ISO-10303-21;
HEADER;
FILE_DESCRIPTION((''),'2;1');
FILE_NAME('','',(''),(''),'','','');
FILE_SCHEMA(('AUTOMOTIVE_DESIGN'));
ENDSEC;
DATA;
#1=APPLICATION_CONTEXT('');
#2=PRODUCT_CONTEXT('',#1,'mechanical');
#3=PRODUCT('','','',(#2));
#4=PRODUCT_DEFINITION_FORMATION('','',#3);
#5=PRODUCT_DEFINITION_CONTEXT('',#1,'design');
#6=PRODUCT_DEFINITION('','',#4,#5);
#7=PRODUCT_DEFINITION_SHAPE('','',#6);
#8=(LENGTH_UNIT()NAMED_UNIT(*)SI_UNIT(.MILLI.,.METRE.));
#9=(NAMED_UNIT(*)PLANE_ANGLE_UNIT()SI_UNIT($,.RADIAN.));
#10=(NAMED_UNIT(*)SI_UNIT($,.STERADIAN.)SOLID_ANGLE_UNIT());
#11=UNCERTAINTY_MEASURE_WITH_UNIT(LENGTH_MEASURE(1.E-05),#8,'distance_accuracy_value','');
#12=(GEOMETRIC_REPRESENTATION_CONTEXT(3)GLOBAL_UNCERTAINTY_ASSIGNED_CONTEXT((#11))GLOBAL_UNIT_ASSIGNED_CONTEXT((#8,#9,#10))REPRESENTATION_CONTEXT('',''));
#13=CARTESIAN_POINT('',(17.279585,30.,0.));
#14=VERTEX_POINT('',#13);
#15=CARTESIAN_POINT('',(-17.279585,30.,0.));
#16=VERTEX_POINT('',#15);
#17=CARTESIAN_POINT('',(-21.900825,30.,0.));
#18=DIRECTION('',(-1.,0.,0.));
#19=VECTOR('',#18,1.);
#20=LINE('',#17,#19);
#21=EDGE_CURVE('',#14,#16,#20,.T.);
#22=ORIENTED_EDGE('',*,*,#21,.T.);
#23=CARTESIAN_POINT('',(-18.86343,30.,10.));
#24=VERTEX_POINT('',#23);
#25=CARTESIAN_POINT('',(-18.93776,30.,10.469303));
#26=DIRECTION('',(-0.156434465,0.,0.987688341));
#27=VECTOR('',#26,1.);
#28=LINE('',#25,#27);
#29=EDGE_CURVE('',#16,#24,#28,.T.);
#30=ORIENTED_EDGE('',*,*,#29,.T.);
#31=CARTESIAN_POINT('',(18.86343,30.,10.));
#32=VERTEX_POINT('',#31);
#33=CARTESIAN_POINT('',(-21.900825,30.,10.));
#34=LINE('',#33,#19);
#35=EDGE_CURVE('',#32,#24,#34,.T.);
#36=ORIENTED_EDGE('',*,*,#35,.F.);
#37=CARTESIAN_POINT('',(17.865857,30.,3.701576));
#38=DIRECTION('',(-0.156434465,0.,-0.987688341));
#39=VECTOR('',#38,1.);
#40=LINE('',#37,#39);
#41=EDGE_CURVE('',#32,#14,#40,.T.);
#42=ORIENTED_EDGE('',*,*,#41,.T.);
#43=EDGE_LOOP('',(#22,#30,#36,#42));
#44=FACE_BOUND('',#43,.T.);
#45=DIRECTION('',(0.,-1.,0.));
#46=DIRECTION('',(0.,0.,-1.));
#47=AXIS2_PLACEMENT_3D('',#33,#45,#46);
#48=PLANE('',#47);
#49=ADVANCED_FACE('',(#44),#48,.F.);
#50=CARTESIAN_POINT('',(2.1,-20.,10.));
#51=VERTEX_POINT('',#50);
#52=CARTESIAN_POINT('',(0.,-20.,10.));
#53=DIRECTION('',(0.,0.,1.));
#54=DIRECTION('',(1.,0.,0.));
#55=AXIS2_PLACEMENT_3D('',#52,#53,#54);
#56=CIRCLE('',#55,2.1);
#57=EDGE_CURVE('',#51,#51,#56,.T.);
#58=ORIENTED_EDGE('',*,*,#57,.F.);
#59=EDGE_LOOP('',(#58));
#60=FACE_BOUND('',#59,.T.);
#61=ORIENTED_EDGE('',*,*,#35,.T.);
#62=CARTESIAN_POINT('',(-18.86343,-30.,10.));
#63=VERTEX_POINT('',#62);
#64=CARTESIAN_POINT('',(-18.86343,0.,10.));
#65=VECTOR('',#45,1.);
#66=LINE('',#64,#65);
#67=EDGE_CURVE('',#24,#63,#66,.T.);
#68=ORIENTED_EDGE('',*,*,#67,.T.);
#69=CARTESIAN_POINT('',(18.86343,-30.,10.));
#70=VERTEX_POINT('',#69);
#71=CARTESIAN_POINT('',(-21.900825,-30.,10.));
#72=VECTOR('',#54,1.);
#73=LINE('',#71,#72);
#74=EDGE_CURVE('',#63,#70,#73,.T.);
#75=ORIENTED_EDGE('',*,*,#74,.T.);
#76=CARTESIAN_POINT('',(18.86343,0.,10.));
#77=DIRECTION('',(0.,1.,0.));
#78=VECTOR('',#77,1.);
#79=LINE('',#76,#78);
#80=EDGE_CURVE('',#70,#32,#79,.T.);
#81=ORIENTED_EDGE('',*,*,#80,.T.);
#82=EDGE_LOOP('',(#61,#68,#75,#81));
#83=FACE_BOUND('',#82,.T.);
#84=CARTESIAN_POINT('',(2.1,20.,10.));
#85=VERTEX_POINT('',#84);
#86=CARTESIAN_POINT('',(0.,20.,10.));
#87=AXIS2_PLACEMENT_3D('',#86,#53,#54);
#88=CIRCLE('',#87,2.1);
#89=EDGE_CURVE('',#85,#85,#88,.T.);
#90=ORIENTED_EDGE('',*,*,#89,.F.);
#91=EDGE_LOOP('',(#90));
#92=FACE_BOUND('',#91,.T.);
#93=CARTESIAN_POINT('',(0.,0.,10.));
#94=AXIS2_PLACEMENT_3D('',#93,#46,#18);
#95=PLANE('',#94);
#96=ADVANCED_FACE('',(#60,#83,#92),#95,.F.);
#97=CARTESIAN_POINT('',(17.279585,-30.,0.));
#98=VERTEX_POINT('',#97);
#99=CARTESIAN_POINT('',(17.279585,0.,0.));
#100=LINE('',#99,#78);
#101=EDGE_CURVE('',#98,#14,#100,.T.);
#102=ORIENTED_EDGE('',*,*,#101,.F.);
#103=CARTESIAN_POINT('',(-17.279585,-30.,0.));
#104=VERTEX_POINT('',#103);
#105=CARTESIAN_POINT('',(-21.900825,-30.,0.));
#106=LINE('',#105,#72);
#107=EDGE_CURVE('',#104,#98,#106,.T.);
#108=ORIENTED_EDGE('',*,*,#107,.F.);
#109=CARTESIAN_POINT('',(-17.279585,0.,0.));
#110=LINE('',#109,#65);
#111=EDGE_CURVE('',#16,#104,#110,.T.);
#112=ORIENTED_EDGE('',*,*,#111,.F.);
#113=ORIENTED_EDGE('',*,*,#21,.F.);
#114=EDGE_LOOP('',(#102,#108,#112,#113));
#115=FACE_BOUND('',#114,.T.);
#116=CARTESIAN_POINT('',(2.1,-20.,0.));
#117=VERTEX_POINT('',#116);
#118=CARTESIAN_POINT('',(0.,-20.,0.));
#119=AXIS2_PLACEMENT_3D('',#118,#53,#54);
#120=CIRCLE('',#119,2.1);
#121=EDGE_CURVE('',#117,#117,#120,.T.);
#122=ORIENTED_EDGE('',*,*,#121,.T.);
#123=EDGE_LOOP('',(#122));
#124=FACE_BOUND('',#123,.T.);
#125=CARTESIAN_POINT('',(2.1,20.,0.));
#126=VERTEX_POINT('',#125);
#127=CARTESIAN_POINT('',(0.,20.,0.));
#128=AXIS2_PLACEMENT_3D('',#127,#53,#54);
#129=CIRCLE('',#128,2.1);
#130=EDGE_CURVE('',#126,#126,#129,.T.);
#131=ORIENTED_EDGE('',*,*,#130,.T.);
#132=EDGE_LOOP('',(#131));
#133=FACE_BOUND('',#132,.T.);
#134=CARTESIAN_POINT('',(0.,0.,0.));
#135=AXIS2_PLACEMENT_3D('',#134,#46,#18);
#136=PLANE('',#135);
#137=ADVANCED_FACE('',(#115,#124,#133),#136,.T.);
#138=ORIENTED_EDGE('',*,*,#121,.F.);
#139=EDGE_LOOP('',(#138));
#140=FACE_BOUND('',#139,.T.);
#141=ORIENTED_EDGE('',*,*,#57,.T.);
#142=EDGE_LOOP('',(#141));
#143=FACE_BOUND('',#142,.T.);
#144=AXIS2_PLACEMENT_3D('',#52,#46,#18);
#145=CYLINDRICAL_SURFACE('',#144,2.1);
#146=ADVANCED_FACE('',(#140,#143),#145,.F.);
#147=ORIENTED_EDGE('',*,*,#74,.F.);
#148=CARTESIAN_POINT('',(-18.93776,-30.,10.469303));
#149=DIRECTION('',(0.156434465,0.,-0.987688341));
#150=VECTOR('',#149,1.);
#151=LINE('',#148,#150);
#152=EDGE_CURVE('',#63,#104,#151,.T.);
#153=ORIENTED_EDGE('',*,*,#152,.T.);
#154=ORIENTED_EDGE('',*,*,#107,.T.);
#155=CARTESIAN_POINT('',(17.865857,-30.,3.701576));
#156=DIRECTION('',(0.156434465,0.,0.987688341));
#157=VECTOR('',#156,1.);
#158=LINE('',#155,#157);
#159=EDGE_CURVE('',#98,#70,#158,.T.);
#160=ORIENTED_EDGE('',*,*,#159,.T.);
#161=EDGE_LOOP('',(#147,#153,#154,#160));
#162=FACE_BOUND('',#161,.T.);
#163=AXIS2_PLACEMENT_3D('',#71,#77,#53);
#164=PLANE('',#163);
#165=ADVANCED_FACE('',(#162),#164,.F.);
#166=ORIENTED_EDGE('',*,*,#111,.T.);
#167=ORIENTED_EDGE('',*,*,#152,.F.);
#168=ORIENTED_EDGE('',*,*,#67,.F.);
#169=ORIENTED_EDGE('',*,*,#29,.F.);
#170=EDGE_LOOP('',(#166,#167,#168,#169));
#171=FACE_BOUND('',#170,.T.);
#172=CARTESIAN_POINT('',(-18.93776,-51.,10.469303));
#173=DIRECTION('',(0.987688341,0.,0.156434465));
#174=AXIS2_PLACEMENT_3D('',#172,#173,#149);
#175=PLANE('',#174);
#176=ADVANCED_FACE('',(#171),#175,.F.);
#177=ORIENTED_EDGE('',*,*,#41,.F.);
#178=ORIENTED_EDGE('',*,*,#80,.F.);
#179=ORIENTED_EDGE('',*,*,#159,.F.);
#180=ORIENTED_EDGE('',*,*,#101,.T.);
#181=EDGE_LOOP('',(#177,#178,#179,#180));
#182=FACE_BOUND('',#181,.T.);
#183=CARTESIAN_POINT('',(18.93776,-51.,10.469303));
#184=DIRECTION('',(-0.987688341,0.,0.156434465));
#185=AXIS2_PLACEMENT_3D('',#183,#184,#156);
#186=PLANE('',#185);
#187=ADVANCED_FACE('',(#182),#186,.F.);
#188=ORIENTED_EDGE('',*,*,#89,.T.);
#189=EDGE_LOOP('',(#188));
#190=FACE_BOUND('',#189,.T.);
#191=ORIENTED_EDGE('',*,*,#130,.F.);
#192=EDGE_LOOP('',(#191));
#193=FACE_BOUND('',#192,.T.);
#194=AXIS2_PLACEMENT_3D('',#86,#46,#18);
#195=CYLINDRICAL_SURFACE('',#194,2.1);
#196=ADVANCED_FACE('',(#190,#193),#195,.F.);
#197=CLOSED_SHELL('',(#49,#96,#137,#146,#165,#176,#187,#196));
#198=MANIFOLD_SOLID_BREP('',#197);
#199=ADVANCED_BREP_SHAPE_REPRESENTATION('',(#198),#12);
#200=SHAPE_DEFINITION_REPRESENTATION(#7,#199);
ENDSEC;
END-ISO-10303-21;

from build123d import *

# Parameters (mm, degrees)
IZIM1_W                     = 43.801650212
IZIM1_H                     = 60
IZIM1_R                     = 2.1
Y_KSEKLIK_EKSTR_ZYON1_DEPTH = 10
KES_EKSTR_ZYON1_DEPTH       = 81


with BuildPart() as part:
    # Çizim1 → Yükseklik-Ekstrüzyon1 (new body)
    with BuildSketch(Plane.XY):
        Rectangle(IZIM1_W, IZIM1_H)
        with Locations((0, -20)):
            Circle(IZIM1_R, mode=Mode.SUBTRACT)
        with Locations((0, 20)):
            Circle(IZIM1_R, mode=Mode.SUBTRACT)
    extrude(amount=Y_KSEKLIK_EKSTR_ZYON1_DEPTH)

    # Çizim2 → Kes-Ekstrüzyon1 (cut)
    with BuildSketch(Plane(origin=(0, 30, 0), x_dir=(1, 0, 0), z_dir=(0, 1, 0))):
        Polygon((-15.608960187, 10.547911998), (-27.517863297, 10.547911998), (-27.517863297, -12.148896601), (-18.937760084, -10.469303395), align=None)
        Polygon((27.517863297, -12.148896601), (18.937760084, -10.469303395), (15.608960187, 10.547911998), (27.517863297, 10.547911998), align=None)
    extrude(amount=-KES_EKSTR_ZYON1_DEPTH, mode=Mode.SUBTRACT)


solid = part.part
